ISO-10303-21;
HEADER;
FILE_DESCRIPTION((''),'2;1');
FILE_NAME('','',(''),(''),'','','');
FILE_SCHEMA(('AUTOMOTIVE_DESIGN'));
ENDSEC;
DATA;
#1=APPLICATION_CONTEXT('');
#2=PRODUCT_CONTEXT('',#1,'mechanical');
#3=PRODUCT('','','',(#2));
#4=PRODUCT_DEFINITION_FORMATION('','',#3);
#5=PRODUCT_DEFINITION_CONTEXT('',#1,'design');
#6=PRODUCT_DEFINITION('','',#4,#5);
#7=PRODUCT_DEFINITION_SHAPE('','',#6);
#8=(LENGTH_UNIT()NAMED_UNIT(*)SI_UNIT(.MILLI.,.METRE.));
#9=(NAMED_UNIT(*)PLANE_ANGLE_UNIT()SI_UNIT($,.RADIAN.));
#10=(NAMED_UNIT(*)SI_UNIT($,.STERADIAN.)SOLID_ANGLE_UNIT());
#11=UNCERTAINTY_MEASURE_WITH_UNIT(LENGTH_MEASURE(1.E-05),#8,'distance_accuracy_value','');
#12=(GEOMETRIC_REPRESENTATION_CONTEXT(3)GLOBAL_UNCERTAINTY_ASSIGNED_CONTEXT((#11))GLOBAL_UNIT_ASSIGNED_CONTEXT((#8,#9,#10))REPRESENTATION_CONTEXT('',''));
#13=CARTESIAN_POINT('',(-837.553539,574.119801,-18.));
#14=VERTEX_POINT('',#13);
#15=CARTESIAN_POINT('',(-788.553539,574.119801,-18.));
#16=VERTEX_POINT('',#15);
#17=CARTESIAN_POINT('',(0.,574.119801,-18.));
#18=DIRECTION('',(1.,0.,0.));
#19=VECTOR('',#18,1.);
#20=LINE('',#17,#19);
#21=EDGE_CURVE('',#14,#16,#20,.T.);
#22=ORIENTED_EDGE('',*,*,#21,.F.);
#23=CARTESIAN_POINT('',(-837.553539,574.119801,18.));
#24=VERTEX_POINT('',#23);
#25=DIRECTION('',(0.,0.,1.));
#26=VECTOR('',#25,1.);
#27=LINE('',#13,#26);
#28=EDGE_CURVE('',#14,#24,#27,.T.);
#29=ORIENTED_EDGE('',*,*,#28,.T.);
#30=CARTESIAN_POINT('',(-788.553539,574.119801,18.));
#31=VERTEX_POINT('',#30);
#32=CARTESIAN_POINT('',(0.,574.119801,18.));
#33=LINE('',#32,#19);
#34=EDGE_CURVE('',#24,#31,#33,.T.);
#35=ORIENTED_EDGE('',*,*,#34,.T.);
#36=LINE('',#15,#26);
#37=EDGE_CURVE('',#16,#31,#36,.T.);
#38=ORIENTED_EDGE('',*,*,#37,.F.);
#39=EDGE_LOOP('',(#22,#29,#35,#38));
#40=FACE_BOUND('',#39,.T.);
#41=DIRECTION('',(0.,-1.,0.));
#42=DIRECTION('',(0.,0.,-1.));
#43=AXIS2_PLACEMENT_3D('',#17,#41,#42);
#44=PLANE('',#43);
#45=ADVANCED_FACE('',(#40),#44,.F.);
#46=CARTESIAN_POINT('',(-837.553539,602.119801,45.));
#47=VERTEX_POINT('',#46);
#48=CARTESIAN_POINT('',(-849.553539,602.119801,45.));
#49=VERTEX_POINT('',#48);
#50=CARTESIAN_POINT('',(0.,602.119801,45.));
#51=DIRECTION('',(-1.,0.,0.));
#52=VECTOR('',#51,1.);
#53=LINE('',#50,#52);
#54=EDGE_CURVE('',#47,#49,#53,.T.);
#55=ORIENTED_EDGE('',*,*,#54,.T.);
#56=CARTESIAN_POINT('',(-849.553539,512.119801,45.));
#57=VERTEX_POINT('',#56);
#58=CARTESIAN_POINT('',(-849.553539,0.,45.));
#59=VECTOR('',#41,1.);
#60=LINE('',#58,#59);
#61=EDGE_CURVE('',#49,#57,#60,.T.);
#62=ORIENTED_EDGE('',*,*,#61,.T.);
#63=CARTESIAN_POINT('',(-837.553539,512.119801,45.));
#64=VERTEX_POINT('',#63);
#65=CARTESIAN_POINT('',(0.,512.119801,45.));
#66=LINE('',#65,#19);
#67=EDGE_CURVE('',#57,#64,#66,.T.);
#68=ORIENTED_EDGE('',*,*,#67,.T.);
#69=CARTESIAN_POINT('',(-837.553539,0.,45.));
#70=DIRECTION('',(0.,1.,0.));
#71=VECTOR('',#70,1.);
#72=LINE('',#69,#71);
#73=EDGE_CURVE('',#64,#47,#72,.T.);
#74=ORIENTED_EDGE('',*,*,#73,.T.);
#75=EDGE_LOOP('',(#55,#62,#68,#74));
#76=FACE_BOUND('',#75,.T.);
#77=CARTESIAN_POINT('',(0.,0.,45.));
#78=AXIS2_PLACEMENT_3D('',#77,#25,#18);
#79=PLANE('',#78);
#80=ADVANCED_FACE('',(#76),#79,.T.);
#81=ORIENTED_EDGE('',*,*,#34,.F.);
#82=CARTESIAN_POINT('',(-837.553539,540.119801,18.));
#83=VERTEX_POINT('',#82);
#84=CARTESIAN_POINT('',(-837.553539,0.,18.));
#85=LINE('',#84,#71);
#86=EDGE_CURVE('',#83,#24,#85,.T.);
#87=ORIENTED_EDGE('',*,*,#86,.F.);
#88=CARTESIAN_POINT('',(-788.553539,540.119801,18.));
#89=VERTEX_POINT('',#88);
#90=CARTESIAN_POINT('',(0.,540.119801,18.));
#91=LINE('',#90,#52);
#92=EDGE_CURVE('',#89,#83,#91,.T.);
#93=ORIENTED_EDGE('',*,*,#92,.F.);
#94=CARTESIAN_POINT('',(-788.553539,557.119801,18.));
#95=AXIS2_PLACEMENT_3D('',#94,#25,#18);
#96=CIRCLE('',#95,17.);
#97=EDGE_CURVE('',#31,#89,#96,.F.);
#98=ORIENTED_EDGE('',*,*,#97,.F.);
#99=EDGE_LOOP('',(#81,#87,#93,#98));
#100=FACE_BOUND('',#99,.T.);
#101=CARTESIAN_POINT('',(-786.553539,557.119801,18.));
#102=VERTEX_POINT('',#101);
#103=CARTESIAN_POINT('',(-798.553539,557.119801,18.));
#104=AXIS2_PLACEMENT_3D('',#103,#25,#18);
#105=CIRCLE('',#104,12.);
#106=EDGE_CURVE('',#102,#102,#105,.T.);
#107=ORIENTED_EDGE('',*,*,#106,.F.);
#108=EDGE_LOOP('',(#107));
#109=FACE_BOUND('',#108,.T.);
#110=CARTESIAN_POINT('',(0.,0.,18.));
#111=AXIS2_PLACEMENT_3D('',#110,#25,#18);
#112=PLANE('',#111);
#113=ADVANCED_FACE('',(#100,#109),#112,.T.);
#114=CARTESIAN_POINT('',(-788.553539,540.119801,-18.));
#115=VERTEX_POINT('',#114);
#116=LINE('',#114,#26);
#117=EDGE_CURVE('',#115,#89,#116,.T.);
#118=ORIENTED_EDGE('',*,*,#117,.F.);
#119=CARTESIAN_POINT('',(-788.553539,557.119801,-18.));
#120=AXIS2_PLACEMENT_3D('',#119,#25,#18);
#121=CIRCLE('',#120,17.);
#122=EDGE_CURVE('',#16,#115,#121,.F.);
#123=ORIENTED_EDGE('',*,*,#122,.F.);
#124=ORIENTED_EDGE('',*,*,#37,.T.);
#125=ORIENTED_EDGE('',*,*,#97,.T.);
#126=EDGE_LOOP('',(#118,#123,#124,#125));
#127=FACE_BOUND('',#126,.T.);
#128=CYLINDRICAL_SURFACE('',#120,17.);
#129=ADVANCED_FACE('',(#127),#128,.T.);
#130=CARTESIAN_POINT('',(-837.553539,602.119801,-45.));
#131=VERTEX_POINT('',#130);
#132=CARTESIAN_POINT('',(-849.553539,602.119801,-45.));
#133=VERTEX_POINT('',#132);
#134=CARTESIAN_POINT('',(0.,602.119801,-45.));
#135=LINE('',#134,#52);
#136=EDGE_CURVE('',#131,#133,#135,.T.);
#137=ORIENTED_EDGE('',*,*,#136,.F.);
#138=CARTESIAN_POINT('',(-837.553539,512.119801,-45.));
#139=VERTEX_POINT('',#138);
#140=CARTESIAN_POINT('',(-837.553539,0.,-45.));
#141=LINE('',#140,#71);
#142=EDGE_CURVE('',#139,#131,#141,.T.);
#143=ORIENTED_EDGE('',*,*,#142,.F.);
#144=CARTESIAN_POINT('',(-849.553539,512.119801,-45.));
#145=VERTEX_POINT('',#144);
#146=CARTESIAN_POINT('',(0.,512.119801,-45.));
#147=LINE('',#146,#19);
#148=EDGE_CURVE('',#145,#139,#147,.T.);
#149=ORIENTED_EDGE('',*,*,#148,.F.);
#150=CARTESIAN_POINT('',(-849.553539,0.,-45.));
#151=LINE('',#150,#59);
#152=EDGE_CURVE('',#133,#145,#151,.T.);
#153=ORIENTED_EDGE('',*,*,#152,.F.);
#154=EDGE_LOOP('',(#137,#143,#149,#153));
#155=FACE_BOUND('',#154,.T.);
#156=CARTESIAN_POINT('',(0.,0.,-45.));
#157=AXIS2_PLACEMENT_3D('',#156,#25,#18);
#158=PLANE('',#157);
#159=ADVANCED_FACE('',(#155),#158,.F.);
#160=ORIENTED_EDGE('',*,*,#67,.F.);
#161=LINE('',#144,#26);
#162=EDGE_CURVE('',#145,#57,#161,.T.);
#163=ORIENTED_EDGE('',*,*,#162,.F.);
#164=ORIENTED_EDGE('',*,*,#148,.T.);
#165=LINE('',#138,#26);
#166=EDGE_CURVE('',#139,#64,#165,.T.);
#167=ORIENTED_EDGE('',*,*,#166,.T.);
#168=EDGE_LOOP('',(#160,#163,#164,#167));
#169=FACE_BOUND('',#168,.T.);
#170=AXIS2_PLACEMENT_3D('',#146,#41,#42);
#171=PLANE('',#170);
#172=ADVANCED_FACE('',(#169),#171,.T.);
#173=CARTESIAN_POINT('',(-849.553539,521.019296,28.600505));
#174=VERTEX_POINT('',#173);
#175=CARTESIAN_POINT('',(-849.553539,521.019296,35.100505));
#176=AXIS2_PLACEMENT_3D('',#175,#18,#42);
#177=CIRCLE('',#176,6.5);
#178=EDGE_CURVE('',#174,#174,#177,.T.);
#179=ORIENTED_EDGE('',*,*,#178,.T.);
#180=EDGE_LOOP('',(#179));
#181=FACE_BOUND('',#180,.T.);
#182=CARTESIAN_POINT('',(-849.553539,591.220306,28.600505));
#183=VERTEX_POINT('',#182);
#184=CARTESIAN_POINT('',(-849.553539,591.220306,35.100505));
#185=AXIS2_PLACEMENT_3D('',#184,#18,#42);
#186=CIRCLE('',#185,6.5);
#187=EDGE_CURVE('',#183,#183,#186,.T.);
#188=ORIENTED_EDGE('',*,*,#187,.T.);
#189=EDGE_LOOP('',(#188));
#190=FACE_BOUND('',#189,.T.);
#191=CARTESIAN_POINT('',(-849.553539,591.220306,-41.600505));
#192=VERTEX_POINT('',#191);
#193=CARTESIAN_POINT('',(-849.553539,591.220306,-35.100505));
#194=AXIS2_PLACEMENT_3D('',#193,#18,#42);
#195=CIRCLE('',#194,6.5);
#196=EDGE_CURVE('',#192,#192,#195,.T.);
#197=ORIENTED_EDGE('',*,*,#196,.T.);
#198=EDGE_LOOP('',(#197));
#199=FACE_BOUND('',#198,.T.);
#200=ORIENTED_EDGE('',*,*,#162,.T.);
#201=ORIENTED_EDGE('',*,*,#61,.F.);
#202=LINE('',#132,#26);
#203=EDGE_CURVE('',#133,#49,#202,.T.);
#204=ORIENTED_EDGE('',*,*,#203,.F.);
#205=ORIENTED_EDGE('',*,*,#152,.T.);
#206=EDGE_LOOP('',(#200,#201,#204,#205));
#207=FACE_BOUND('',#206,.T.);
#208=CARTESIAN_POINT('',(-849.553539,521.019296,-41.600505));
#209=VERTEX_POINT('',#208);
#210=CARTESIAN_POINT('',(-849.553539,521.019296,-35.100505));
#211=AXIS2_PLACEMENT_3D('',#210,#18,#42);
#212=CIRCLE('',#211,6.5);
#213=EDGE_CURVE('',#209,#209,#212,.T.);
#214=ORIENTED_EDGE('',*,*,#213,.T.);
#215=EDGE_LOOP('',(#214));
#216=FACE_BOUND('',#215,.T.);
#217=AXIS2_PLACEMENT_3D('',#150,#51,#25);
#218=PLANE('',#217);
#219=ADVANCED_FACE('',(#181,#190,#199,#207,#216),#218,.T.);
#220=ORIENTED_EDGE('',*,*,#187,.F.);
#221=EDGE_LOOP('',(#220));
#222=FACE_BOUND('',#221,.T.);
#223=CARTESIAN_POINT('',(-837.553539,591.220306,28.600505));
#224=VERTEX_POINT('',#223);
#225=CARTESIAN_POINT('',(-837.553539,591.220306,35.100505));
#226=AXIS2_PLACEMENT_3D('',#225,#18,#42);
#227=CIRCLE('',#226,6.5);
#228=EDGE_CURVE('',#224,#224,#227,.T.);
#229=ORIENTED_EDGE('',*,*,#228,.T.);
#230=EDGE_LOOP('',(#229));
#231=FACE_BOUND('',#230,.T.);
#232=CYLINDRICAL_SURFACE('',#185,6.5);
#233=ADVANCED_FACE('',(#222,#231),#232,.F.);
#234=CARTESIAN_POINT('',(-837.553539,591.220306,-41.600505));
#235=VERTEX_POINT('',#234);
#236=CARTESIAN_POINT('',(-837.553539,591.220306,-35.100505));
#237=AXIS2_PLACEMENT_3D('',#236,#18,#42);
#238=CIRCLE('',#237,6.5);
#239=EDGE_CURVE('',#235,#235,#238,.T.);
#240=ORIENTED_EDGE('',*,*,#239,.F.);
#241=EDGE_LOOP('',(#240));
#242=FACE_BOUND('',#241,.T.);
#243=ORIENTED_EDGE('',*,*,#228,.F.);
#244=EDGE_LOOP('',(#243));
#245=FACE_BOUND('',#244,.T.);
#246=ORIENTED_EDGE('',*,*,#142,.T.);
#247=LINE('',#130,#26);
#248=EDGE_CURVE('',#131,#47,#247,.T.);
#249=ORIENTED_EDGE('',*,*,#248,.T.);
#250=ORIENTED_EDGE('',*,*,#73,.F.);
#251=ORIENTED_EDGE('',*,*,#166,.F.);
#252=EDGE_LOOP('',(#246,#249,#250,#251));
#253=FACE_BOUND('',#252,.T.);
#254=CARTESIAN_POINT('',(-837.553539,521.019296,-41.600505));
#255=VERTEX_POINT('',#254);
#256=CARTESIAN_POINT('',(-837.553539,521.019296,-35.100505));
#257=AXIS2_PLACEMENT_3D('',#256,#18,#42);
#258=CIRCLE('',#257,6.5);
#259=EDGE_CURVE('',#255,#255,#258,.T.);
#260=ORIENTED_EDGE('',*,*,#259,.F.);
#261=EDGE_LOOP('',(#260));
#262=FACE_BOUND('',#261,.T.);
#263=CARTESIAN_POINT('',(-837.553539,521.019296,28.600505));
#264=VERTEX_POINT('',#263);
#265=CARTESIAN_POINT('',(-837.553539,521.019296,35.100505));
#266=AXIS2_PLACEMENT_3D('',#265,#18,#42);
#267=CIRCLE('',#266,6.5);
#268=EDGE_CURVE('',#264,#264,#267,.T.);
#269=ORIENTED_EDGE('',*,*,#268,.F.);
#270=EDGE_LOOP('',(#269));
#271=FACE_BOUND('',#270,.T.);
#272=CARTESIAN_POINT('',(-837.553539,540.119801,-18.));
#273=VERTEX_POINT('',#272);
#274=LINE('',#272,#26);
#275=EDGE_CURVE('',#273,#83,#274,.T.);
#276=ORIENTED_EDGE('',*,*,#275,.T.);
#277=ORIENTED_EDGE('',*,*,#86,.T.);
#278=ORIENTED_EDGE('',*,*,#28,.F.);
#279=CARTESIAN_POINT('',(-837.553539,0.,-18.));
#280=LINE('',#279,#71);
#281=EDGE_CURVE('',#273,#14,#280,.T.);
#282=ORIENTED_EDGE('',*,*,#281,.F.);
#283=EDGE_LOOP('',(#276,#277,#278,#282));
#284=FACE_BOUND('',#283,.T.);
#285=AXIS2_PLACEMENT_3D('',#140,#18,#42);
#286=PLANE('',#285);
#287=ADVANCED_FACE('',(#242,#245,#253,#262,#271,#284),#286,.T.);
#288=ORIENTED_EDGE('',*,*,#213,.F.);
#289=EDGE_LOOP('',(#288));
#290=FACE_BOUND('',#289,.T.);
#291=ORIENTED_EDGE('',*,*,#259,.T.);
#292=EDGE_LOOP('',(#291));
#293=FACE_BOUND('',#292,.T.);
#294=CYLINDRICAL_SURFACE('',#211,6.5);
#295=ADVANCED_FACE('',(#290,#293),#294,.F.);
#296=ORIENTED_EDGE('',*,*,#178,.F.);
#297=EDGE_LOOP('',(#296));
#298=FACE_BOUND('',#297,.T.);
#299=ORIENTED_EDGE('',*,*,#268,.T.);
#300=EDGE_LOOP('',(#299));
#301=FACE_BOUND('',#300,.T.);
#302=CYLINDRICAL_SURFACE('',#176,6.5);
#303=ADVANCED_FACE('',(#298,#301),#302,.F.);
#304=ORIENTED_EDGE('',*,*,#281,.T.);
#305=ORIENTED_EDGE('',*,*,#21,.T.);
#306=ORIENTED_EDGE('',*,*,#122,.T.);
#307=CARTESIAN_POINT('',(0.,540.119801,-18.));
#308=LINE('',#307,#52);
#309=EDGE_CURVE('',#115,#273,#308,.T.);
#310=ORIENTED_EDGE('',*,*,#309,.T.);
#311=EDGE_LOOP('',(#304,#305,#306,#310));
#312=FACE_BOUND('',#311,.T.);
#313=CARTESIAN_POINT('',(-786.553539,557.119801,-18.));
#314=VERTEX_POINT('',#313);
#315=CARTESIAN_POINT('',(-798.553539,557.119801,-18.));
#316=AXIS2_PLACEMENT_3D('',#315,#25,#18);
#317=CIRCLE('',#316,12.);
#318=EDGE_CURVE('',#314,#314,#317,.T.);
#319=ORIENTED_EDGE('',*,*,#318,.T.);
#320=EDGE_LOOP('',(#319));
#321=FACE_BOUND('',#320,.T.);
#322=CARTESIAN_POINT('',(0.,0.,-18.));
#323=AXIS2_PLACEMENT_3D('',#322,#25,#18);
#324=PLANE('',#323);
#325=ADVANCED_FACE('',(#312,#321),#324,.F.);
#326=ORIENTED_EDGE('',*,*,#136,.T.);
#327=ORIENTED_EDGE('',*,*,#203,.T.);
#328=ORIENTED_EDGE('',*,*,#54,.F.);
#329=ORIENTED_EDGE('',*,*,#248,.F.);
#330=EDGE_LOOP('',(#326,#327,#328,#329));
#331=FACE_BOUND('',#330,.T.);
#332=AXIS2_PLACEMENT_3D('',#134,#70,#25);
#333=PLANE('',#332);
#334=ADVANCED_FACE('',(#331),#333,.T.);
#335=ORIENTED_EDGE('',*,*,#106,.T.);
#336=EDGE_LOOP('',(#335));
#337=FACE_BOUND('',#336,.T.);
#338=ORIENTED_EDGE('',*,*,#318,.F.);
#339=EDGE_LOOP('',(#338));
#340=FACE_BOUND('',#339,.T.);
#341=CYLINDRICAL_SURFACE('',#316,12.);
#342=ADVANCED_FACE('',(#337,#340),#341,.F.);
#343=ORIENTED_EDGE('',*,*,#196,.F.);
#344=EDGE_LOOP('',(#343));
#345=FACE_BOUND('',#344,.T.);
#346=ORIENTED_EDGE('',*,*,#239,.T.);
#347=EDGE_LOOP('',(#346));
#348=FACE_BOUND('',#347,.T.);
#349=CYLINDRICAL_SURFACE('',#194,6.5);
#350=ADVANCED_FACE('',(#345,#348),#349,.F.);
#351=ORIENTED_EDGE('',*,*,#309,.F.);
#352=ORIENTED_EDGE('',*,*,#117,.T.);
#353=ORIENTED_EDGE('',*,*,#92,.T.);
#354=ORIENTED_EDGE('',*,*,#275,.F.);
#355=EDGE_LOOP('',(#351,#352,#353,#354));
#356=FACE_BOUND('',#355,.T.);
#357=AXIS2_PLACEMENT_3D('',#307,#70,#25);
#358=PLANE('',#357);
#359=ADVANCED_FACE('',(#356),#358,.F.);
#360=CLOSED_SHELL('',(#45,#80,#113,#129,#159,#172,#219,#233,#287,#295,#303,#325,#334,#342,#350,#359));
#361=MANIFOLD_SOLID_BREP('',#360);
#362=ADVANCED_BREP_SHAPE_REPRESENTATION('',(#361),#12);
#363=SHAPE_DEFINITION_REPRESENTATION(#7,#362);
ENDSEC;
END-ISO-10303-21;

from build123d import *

# Parameters (mm, degrees)
DODANIE_WYCI_GNI_CIE3_DEPTH      = 18
DODANIE_WYCI_GNI_CIE3_DEPTH_BACK = 18
SZKIC1_R                         = 12
DODANIE_WYCI_GNI_CIE4_DEPTH      = 45
DODANIE_WYCI_GNI_CIE4_DEPTH_BACK = 45
SKETCH5_R                        = 6.5
CUT_EXTRUDE1_DEPTH               = 12


with BuildPart() as part:
    # Szkic1 → Dodanie-wyci_gni_cie3 (new, two sides: drawn at the far end of the back side and taken through both)
    with BuildSketch(Plane.XY.offset(-DODANIE_WYCI_GNI_CIE3_DEPTH_BACK)):
        with BuildLine():
            Line((-788.553538537, 574.11980128), (-837.553538537, 574.11980128))
            Line((-837.553538537, 574.11980128), (-837.553538537, 540.11980128))
            Line((-837.553538537, 540.11980128), (-788.553538537, 540.11980128))
            ThreePointArc((-788.553538537, 540.11980128), (-771.553538537, 557.11980128), (-788.553538537, 574.11980128))
        make_face()
        with Locations((-798.553538537, 557.11980128)):
            Circle(SZKIC1_R, mode=Mode.SUBTRACT)
    extrude(amount=DODANIE_WYCI_GNI_CIE3_DEPTH + DODANIE_WYCI_GNI_CIE3_DEPTH_BACK)

    # Szkic1_6 → Dodanie-wyci_gni_cie4 (add, two sides: drawn at the far end of the back side and taken through both)
    with BuildSketch(Plane.XY.offset(-DODANIE_WYCI_GNI_CIE4_DEPTH_BACK)):
        Polygon((-837.553538537, 602.11980128), (-849.553538537, 602.11980128), (-849.553538537, 512.11980128), (-837.553538537, 512.11980128), (-837.553538537, 540.11980128), (-837.553538537, 574.11980128), align=None)
    extrude(amount=DODANIE_WYCI_GNI_CIE4_DEPTH + DODANIE_WYCI_GNI_CIE4_DEPTH_BACK)

    # Sketch5 → Cut-Extrude1 (cut)
    with BuildSketch(Plane(origin=(-837.553538537, 0, 0), x_dir=(0, 0, -1), z_dir=(1, 0, 0))):
        with Locations((-35.100505063, 591.220306343)):
            Circle(SKETCH5_R)
        with Locations((35.100505063, 591.220306343)):
            Circle(SKETCH5_R)
        with Locations((35.100505063, 521.019296217)):
            Circle(SKETCH5_R)
        with Locations((-35.100505063, 521.019296217)):
            Circle(SKETCH5_R)
    extrude(amount=-CUT_EXTRUDE1_DEPTH, mode=Mode.SUBTRACT)


solid = part.part
